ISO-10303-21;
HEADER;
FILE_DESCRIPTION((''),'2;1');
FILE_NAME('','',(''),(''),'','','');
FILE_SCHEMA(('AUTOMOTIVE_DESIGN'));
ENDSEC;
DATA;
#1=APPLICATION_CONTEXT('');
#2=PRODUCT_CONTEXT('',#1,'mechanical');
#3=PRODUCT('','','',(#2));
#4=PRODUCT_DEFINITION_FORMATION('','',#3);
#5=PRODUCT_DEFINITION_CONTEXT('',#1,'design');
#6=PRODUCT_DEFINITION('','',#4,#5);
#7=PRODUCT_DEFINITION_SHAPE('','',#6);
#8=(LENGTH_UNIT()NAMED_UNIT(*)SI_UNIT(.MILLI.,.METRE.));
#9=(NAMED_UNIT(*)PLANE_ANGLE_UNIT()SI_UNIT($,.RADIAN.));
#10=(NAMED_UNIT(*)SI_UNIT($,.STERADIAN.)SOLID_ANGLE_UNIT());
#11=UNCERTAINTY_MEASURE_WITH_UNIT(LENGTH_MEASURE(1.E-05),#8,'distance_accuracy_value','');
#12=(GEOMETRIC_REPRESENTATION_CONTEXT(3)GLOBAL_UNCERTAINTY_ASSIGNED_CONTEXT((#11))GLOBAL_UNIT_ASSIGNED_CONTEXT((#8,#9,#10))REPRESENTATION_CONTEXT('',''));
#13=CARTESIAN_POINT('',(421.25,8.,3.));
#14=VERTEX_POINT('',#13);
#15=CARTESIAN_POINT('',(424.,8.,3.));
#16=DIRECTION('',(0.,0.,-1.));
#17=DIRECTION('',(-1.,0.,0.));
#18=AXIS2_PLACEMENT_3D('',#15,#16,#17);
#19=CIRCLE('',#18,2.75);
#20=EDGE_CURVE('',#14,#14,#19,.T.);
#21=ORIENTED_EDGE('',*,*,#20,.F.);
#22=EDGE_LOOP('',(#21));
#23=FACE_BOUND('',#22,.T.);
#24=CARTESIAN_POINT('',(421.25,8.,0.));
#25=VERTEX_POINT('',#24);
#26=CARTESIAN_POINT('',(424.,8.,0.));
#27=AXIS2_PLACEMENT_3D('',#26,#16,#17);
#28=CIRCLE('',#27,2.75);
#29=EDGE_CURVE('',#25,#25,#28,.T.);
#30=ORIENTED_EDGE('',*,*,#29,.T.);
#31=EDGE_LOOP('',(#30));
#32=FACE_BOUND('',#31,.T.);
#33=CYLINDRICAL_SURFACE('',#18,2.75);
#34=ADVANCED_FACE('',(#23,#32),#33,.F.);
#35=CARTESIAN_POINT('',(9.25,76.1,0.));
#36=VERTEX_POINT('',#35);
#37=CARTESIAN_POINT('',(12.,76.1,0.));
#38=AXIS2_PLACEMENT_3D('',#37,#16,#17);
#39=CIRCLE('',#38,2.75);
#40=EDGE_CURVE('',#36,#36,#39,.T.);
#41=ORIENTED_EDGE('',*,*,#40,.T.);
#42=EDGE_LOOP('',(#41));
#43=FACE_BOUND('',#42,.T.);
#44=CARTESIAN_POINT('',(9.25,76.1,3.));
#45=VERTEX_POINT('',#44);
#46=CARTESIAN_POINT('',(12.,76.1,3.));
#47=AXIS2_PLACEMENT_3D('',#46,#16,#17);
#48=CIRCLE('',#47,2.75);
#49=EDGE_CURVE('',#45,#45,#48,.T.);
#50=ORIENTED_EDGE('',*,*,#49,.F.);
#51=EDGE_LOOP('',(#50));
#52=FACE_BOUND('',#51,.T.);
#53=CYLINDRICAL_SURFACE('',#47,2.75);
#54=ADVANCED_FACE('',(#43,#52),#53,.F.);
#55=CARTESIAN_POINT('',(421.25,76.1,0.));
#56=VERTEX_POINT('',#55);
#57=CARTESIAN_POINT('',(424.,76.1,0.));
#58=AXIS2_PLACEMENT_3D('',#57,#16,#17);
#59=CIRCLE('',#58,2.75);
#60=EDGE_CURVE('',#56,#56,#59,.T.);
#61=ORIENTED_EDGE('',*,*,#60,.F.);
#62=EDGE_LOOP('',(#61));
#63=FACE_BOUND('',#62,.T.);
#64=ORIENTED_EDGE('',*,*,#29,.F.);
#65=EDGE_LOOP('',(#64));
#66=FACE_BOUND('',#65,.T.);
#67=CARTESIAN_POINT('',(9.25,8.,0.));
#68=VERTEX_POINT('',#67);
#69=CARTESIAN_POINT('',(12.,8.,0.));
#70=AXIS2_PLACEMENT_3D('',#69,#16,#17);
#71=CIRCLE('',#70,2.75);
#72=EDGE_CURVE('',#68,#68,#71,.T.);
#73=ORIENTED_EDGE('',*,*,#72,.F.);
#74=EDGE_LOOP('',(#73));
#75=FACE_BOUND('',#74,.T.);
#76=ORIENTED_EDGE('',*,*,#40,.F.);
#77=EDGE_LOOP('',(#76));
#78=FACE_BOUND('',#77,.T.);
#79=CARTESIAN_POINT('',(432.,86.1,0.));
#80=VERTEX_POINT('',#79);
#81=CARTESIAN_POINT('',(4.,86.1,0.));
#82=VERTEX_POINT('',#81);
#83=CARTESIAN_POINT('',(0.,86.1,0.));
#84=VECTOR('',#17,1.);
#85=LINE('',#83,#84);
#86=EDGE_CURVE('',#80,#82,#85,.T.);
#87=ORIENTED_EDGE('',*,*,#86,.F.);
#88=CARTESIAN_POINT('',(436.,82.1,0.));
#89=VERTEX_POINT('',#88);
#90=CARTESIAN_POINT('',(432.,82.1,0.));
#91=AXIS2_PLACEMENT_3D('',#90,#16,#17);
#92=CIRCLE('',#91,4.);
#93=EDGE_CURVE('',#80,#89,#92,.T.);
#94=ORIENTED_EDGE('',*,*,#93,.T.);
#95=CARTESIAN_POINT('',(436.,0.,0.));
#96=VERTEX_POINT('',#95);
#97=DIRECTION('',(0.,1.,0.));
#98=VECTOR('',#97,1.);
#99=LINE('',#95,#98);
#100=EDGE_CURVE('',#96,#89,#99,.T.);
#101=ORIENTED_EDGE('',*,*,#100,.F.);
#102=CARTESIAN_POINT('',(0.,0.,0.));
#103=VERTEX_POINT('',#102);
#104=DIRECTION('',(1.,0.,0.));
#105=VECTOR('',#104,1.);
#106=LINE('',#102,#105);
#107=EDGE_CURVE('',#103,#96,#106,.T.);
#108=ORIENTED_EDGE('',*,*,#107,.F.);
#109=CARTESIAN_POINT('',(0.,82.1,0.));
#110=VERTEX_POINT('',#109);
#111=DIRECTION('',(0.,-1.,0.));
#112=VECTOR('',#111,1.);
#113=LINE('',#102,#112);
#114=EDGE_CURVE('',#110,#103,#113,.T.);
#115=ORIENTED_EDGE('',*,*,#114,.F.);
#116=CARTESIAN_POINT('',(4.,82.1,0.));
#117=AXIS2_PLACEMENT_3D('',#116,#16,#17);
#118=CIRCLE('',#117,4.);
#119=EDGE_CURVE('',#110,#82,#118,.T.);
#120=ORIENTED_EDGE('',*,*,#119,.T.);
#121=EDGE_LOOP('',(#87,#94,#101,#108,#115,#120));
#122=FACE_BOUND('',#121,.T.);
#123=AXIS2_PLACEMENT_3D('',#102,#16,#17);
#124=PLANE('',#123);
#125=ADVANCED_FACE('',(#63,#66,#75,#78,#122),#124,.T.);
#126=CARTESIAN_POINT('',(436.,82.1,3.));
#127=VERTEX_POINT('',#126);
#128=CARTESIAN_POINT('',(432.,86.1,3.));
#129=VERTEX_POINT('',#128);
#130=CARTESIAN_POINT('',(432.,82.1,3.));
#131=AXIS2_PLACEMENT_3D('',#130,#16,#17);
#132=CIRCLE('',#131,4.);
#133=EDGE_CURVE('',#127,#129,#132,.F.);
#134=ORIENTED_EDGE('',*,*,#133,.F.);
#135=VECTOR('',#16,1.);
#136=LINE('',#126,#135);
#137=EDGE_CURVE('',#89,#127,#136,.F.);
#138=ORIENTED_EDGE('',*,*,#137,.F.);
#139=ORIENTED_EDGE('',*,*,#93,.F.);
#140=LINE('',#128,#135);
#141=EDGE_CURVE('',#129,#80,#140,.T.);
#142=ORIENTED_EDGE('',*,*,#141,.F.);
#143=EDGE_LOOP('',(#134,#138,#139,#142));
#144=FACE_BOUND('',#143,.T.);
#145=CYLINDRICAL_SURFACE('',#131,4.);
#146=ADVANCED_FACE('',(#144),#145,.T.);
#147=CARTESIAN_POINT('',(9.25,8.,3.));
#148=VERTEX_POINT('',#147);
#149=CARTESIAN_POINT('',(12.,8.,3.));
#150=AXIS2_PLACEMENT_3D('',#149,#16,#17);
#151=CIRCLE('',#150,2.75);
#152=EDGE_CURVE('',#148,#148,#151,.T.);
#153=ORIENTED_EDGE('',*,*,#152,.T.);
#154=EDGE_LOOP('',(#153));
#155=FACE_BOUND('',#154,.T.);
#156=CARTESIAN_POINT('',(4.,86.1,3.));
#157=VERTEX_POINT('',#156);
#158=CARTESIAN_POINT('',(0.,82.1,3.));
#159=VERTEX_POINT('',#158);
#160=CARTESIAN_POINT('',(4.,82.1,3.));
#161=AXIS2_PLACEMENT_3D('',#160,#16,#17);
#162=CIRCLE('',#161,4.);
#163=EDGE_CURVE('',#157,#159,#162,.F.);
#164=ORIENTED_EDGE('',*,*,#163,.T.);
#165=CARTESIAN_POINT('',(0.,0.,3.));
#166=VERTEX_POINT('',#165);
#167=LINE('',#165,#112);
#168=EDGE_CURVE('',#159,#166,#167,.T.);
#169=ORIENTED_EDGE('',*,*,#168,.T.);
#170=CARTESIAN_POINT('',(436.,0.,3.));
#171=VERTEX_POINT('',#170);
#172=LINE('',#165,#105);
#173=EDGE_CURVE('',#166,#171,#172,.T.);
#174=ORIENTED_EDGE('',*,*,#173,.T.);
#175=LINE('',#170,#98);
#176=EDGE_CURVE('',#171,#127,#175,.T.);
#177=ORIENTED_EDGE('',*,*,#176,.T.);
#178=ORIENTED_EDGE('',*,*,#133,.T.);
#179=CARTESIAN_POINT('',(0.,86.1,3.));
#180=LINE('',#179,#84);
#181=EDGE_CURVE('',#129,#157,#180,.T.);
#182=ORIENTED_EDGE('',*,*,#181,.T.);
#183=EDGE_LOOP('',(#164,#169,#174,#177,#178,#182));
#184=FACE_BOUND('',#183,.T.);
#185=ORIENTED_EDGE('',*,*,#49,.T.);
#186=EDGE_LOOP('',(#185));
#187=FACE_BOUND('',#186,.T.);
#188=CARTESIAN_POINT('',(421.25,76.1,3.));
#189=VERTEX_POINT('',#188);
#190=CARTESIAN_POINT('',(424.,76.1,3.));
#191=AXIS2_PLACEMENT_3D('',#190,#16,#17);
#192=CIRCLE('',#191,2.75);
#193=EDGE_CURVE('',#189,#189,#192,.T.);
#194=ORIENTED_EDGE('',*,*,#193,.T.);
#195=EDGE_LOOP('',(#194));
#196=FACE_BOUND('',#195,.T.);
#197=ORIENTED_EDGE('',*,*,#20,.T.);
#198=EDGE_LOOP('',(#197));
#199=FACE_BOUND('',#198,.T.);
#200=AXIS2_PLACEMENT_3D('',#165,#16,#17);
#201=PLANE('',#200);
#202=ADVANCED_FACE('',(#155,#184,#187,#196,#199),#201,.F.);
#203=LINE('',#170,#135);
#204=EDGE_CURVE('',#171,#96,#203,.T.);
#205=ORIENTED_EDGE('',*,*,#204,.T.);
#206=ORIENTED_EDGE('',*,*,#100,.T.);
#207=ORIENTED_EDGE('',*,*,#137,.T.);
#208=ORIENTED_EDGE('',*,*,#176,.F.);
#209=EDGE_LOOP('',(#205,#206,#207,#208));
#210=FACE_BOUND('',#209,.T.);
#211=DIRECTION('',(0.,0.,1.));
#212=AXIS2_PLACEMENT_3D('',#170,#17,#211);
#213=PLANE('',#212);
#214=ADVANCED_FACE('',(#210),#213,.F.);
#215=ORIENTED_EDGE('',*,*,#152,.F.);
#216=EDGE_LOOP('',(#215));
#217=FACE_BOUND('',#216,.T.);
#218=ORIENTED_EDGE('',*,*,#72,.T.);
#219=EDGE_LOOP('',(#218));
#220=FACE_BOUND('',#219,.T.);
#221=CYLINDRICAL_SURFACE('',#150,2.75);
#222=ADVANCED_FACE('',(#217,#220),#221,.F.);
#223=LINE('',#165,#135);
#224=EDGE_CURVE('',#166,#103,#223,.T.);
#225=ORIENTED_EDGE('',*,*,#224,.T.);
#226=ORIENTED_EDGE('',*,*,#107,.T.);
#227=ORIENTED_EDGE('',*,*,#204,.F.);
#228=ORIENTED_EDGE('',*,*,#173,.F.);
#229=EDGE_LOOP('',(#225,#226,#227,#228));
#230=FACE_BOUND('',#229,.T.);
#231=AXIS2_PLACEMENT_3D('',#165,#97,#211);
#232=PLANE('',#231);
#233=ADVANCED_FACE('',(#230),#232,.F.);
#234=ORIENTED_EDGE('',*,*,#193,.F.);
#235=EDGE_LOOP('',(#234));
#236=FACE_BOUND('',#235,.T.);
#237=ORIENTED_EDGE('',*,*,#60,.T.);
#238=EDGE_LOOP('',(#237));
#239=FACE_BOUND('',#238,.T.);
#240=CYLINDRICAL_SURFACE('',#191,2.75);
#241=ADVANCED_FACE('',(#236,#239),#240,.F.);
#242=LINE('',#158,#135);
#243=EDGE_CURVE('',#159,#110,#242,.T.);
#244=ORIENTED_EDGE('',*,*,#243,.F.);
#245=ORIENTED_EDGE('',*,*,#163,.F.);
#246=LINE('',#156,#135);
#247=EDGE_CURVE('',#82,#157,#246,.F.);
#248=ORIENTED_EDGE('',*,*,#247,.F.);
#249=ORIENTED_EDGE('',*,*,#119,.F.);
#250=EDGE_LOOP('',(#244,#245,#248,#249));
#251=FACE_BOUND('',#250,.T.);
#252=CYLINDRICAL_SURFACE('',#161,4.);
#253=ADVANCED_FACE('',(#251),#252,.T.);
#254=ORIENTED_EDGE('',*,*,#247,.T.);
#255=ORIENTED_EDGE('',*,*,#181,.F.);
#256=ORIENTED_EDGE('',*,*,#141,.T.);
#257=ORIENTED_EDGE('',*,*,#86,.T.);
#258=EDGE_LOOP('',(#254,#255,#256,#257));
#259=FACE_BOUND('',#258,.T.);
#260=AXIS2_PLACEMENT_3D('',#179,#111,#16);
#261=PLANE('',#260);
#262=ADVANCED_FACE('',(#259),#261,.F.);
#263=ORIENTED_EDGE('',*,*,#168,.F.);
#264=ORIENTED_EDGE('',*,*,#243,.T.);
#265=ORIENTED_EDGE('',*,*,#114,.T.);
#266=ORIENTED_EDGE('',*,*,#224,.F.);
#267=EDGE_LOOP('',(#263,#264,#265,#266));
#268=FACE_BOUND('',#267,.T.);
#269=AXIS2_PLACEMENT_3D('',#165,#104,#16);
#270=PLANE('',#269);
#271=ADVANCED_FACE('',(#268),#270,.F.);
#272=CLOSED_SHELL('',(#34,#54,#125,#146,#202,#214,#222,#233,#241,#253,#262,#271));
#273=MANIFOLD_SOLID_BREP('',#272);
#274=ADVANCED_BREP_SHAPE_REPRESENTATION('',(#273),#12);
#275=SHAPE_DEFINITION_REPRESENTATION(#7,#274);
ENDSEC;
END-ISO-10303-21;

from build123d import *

# Parameters (mm, degrees)
SKETCH_1_W          = 436
SKETCH_1_H          = 86.1
EXTRUDE_1_DEPTH     = 3
SKETCH_6_R          = 2.75
CUT_EXTRUDE_1_DEPTH = 445.430208244
FILLET_1_R          = 4


with BuildPart() as part:
    # Эскиз1 → Бобышка-Вытянуть1 (new body)
    with BuildSketch(Plane.XY):
        with Locations((218, 43.05)):
            Rectangle(SKETCH_1_W, SKETCH_1_H)
    extrude(amount=EXTRUDE_1_DEPTH)

    # Эскиз6 → Вырез-Вытянуть1 (cut, through all)
    with BuildSketch(Plane(origin=(0, 0, 0), x_dir=(-1, 0, 0), z_dir=(0, 0, -1))):
        with Locations((-424, 76.1)):
            Circle(SKETCH_6_R)
        with Locations((-424, 8)):
            Circle(SKETCH_6_R)
        with Locations((-12, 8)):
            Circle(SKETCH_6_R)
        with Locations((-12, 76.1)):
            Circle(SKETCH_6_R)
    extrude(amount=-CUT_EXTRUDE_1_DEPTH, mode=Mode.SUBTRACT)

    # Скругление1
    fillet_1_edges = [part.edges().sort_by_distance(p)[0] for p in [
        (0, 86.1, 1.5),
        (436, 86.1, 1.5),
    ]]
    fillet(fillet_1_edges, radius=FILLET_1_R)


solid = part.part
